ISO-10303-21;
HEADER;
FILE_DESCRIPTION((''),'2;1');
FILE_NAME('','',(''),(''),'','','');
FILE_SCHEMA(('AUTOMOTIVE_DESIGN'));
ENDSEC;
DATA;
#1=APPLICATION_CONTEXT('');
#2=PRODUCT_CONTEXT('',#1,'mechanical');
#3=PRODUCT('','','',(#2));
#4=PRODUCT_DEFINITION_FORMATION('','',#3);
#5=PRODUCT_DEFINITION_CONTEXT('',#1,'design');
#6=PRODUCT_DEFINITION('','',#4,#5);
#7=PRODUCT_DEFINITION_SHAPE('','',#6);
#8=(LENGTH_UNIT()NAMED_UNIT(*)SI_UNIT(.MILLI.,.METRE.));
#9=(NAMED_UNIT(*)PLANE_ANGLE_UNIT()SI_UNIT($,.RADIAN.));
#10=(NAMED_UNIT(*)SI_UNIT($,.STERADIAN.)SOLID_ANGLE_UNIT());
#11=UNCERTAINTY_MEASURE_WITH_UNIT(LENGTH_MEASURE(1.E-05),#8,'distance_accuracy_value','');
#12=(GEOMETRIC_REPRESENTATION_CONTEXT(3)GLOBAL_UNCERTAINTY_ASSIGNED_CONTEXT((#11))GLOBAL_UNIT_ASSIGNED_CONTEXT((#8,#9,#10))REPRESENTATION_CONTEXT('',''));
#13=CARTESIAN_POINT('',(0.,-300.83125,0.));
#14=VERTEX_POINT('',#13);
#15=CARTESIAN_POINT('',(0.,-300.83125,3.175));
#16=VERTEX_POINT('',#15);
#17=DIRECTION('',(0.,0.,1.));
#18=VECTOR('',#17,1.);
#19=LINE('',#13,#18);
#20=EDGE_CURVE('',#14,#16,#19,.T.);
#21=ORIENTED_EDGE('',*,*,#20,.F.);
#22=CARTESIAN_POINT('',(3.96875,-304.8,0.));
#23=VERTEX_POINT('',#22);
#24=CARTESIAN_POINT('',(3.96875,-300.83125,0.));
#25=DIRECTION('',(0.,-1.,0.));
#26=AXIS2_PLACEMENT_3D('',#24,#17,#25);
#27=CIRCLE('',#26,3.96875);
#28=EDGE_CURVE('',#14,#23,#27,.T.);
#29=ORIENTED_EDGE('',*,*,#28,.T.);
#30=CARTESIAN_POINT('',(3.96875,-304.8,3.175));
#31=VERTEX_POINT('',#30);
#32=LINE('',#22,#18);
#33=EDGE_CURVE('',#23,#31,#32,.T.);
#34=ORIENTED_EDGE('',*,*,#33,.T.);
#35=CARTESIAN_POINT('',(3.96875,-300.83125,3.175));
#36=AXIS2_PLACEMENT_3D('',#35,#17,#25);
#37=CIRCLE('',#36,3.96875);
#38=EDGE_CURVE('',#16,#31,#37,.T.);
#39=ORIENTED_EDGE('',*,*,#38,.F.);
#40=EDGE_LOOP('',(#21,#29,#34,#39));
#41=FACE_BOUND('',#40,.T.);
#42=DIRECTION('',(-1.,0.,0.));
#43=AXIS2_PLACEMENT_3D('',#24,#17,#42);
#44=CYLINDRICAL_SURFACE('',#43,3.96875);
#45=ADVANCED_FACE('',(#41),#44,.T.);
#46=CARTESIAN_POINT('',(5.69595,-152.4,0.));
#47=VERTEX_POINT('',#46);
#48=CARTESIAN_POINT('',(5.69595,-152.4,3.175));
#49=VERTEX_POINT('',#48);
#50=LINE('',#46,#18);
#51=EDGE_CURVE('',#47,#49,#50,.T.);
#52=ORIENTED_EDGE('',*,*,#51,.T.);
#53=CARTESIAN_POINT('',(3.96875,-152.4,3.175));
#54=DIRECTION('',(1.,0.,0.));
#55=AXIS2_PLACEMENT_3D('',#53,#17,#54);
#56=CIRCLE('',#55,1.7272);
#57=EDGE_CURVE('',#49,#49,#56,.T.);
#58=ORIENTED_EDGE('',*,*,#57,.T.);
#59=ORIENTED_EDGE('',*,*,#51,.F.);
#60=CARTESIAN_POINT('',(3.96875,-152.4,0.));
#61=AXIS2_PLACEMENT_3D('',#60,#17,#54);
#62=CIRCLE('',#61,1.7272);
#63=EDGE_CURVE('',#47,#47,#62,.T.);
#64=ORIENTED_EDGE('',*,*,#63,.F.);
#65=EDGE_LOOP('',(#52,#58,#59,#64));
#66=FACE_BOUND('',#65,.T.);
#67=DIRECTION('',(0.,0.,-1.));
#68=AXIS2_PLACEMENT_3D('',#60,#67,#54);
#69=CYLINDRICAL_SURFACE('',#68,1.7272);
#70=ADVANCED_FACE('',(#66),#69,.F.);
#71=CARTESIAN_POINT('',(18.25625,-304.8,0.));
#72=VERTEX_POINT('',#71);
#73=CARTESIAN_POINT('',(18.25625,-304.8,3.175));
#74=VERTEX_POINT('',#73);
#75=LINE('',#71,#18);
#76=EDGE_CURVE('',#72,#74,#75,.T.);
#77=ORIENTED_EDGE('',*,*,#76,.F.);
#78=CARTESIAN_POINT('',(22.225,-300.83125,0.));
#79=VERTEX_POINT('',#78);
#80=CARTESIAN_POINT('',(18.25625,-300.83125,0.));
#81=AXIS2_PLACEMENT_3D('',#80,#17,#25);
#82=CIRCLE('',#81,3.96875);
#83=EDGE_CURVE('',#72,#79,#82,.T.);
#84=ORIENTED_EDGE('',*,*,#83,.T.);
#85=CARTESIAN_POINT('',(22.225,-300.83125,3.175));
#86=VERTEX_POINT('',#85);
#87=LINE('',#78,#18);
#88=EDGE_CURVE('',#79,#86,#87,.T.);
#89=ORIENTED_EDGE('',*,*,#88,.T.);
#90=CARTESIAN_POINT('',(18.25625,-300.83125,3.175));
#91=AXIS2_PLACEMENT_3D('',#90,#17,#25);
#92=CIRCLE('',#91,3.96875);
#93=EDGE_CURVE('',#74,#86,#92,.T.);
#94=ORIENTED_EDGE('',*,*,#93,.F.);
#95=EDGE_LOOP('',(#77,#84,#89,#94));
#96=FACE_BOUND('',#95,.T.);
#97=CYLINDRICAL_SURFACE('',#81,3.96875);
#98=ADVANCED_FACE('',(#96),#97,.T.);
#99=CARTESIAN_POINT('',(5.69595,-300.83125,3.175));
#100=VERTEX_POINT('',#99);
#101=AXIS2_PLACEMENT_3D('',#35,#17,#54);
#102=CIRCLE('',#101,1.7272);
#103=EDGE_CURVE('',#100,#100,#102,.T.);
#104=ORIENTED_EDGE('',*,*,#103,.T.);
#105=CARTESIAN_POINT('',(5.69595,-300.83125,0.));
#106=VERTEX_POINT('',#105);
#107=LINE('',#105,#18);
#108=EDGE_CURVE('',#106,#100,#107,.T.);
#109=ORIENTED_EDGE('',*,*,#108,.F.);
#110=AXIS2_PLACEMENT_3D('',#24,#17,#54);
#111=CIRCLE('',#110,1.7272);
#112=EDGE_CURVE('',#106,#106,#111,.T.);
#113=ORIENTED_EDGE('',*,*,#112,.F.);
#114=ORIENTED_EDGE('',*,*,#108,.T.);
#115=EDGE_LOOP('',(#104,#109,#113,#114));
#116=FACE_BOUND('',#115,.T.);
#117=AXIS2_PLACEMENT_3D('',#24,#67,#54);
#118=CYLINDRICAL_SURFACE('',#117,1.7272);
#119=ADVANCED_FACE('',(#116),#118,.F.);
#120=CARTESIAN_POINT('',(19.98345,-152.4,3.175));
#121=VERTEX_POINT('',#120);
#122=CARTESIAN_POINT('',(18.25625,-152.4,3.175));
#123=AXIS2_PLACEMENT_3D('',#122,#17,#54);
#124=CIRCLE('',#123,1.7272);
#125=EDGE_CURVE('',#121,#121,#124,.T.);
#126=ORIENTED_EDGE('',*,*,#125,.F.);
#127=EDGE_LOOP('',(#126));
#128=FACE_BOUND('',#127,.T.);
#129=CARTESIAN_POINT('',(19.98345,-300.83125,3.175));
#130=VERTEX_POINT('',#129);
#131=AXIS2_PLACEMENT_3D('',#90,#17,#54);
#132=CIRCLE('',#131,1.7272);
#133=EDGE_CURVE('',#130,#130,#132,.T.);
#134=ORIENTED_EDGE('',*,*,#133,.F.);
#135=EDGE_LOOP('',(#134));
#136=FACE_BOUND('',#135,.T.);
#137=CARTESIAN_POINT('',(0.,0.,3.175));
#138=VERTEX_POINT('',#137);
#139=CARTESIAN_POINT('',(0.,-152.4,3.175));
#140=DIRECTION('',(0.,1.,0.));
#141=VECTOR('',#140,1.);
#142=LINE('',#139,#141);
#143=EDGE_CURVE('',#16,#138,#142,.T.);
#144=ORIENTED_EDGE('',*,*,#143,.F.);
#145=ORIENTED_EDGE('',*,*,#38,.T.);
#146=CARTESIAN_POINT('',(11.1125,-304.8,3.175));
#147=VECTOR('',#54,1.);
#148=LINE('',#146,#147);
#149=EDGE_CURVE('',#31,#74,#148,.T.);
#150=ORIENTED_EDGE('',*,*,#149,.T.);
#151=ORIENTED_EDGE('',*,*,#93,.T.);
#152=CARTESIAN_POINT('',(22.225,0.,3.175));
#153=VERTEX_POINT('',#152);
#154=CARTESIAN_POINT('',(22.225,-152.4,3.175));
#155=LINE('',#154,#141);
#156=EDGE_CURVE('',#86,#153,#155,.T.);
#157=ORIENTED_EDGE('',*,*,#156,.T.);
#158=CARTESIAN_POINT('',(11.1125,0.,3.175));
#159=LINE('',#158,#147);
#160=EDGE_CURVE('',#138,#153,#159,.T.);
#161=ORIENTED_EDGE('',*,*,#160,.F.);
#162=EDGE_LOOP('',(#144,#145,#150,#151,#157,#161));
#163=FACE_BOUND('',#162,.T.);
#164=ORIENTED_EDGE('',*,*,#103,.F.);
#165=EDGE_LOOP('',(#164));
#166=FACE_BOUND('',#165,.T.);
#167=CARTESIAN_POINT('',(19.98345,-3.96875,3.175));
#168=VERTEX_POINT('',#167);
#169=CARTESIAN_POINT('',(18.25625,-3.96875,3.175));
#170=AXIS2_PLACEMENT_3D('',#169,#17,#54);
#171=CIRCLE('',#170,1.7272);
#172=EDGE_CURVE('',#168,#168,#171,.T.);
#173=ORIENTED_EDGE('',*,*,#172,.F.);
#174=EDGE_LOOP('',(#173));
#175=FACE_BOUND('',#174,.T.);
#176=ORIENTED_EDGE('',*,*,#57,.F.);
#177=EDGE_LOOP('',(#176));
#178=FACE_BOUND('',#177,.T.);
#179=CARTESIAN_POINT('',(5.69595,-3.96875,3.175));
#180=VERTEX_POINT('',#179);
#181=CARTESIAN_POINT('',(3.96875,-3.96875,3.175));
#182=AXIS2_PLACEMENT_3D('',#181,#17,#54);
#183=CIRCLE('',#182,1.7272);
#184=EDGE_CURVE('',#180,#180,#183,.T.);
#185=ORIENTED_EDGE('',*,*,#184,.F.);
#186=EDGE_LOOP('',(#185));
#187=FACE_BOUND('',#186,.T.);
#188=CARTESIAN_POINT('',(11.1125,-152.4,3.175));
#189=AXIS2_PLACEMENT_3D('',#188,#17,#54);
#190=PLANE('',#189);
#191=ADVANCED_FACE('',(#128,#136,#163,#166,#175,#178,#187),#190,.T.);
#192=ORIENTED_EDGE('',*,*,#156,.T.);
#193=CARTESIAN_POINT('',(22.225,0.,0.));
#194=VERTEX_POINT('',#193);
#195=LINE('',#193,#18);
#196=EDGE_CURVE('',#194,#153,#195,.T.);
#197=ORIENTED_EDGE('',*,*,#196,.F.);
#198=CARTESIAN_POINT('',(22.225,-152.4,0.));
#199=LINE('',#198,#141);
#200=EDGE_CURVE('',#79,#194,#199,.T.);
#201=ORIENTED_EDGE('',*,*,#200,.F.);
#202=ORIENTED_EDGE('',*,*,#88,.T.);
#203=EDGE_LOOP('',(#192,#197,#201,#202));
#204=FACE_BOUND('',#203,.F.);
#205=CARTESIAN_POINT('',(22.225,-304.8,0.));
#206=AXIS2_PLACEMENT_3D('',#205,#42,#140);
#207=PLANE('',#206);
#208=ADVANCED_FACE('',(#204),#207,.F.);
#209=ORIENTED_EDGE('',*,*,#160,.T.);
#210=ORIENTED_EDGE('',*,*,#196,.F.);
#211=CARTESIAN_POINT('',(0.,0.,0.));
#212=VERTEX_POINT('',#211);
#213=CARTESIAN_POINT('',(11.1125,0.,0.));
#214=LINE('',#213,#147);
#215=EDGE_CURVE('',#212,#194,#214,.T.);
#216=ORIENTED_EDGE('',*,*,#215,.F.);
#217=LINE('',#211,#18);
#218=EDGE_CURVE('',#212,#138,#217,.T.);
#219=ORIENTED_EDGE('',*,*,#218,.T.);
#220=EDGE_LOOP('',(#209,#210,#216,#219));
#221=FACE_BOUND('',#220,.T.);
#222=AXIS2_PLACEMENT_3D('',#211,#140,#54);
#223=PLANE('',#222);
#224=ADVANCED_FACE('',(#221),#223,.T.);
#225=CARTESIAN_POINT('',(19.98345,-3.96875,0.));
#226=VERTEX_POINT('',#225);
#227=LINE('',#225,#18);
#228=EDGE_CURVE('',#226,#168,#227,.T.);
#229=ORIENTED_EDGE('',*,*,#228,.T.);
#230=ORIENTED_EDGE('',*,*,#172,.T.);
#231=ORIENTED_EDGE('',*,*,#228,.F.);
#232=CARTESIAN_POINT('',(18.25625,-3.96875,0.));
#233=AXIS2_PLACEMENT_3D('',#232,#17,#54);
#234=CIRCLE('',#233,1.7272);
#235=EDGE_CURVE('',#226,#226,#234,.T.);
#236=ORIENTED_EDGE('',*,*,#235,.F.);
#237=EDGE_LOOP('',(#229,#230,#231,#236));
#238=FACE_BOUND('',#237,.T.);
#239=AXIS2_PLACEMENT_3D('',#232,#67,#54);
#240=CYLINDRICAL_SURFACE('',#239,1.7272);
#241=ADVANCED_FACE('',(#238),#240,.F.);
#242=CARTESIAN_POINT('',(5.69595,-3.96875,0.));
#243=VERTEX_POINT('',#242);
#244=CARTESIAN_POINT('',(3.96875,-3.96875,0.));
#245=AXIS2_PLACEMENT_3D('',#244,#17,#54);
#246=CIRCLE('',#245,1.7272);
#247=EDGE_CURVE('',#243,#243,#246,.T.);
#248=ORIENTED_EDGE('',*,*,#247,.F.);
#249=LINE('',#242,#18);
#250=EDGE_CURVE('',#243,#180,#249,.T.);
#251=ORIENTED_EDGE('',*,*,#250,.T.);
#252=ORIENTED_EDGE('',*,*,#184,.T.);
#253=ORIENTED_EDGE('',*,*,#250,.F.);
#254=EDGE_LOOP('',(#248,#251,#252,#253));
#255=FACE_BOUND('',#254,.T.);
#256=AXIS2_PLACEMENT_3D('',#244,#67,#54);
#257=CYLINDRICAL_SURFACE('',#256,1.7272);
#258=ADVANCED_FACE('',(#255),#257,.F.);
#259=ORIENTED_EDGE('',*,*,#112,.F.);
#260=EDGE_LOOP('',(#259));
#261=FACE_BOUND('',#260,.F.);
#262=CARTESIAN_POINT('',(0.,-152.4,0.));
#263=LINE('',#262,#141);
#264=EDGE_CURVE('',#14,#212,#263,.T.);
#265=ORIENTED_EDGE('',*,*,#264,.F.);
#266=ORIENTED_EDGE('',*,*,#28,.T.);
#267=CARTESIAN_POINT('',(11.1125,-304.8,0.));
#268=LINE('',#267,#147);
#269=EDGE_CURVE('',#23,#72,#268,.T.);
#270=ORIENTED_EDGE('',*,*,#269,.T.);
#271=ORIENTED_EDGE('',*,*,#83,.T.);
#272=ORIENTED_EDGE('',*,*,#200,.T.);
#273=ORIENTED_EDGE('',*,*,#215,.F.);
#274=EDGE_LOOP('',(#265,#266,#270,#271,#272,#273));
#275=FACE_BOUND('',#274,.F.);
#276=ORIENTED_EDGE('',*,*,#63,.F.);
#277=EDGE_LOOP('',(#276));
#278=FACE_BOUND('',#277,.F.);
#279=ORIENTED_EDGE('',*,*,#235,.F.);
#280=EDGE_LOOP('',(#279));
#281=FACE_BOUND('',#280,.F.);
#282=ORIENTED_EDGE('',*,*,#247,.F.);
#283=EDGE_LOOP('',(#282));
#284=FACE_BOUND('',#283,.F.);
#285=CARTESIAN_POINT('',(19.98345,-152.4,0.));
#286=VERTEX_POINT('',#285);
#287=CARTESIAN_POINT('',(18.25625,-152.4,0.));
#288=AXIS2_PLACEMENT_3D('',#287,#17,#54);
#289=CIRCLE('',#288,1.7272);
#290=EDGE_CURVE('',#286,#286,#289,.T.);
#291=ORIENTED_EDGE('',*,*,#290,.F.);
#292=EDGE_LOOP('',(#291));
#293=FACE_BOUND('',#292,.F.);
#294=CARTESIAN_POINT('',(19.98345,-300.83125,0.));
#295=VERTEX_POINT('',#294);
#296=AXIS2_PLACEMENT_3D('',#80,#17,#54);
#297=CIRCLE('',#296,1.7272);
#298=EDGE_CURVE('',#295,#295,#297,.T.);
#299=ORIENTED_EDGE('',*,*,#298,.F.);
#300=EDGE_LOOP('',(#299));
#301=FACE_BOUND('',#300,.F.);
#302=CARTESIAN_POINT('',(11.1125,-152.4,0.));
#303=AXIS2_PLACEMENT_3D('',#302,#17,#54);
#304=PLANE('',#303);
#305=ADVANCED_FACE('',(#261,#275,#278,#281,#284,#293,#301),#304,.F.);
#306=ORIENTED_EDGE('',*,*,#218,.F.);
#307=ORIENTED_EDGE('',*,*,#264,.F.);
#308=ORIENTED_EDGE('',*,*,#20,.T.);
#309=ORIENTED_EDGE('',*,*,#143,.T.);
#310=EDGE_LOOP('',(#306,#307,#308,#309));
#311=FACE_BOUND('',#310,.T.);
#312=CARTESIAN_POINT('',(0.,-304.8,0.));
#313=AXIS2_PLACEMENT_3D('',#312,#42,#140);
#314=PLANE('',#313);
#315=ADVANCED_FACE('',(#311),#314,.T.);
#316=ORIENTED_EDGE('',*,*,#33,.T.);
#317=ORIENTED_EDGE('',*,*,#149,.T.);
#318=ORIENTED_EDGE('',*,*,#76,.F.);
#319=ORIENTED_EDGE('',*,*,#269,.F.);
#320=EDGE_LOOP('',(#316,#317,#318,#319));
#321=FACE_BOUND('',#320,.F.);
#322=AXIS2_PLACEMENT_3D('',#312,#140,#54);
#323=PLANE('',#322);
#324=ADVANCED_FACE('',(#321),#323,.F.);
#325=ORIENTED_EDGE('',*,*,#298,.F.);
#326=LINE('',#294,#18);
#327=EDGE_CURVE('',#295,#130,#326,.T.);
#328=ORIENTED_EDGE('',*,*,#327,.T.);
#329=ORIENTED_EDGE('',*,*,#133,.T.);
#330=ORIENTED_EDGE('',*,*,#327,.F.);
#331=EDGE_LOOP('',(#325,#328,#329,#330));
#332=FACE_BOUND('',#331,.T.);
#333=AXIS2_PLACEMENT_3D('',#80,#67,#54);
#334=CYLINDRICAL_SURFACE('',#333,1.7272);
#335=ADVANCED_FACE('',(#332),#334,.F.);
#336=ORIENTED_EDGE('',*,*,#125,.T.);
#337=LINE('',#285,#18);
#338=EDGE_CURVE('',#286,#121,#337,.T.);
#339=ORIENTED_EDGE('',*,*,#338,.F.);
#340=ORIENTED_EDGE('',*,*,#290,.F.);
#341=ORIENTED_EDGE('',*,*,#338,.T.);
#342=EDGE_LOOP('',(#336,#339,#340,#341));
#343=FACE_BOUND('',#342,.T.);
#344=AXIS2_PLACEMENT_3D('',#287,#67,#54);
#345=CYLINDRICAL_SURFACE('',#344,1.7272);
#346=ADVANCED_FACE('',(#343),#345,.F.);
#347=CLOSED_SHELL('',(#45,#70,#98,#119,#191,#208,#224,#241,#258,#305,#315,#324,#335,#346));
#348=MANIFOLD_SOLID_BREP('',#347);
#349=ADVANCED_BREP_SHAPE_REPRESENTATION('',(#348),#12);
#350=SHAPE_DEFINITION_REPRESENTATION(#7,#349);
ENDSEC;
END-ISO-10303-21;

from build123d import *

# Parameters (mm, degrees)
F0_W     = 22.225
F0_H     = 304.8
F0_R     = 1.7272
F1_DEPTH = 3.175
F2_R     = 3.96875


with BuildPart() as f1:
    # F0 (on Top) → F1 (new body)
    with BuildSketch(Plane.XY):
        with Locations((11.1125, -152.4)):
            Rectangle(F0_W, F0_H)
        with Locations((3.96875, -300.83125)):
            Circle(F0_R, mode=Mode.SUBTRACT)
        with Locations((18.25625, -300.83125)):
            Circle(F0_R, mode=Mode.SUBTRACT)
        with Locations((3.96875, -152.4)):
            Circle(F0_R, mode=Mode.SUBTRACT)
        with Locations((3.96875, -3.96875)):
            Circle(F0_R, mode=Mode.SUBTRACT)
        with Locations((18.25625, -152.4)):
            Circle(F0_R, mode=Mode.SUBTRACT)
        with Locations((18.25625, -3.96875)):
            Circle(F0_R, mode=Mode.SUBTRACT)
    extrude(amount=F1_DEPTH)

    # F2
    f2_edges = [f1.edges().sort_by_distance(p)[0] for p in [
        (0, -304.8, 1.5875),
        (22.225, -304.8, 1.5875),
    ]]
    fillet(f2_edges, radius=F2_R)


solid = f1.part
